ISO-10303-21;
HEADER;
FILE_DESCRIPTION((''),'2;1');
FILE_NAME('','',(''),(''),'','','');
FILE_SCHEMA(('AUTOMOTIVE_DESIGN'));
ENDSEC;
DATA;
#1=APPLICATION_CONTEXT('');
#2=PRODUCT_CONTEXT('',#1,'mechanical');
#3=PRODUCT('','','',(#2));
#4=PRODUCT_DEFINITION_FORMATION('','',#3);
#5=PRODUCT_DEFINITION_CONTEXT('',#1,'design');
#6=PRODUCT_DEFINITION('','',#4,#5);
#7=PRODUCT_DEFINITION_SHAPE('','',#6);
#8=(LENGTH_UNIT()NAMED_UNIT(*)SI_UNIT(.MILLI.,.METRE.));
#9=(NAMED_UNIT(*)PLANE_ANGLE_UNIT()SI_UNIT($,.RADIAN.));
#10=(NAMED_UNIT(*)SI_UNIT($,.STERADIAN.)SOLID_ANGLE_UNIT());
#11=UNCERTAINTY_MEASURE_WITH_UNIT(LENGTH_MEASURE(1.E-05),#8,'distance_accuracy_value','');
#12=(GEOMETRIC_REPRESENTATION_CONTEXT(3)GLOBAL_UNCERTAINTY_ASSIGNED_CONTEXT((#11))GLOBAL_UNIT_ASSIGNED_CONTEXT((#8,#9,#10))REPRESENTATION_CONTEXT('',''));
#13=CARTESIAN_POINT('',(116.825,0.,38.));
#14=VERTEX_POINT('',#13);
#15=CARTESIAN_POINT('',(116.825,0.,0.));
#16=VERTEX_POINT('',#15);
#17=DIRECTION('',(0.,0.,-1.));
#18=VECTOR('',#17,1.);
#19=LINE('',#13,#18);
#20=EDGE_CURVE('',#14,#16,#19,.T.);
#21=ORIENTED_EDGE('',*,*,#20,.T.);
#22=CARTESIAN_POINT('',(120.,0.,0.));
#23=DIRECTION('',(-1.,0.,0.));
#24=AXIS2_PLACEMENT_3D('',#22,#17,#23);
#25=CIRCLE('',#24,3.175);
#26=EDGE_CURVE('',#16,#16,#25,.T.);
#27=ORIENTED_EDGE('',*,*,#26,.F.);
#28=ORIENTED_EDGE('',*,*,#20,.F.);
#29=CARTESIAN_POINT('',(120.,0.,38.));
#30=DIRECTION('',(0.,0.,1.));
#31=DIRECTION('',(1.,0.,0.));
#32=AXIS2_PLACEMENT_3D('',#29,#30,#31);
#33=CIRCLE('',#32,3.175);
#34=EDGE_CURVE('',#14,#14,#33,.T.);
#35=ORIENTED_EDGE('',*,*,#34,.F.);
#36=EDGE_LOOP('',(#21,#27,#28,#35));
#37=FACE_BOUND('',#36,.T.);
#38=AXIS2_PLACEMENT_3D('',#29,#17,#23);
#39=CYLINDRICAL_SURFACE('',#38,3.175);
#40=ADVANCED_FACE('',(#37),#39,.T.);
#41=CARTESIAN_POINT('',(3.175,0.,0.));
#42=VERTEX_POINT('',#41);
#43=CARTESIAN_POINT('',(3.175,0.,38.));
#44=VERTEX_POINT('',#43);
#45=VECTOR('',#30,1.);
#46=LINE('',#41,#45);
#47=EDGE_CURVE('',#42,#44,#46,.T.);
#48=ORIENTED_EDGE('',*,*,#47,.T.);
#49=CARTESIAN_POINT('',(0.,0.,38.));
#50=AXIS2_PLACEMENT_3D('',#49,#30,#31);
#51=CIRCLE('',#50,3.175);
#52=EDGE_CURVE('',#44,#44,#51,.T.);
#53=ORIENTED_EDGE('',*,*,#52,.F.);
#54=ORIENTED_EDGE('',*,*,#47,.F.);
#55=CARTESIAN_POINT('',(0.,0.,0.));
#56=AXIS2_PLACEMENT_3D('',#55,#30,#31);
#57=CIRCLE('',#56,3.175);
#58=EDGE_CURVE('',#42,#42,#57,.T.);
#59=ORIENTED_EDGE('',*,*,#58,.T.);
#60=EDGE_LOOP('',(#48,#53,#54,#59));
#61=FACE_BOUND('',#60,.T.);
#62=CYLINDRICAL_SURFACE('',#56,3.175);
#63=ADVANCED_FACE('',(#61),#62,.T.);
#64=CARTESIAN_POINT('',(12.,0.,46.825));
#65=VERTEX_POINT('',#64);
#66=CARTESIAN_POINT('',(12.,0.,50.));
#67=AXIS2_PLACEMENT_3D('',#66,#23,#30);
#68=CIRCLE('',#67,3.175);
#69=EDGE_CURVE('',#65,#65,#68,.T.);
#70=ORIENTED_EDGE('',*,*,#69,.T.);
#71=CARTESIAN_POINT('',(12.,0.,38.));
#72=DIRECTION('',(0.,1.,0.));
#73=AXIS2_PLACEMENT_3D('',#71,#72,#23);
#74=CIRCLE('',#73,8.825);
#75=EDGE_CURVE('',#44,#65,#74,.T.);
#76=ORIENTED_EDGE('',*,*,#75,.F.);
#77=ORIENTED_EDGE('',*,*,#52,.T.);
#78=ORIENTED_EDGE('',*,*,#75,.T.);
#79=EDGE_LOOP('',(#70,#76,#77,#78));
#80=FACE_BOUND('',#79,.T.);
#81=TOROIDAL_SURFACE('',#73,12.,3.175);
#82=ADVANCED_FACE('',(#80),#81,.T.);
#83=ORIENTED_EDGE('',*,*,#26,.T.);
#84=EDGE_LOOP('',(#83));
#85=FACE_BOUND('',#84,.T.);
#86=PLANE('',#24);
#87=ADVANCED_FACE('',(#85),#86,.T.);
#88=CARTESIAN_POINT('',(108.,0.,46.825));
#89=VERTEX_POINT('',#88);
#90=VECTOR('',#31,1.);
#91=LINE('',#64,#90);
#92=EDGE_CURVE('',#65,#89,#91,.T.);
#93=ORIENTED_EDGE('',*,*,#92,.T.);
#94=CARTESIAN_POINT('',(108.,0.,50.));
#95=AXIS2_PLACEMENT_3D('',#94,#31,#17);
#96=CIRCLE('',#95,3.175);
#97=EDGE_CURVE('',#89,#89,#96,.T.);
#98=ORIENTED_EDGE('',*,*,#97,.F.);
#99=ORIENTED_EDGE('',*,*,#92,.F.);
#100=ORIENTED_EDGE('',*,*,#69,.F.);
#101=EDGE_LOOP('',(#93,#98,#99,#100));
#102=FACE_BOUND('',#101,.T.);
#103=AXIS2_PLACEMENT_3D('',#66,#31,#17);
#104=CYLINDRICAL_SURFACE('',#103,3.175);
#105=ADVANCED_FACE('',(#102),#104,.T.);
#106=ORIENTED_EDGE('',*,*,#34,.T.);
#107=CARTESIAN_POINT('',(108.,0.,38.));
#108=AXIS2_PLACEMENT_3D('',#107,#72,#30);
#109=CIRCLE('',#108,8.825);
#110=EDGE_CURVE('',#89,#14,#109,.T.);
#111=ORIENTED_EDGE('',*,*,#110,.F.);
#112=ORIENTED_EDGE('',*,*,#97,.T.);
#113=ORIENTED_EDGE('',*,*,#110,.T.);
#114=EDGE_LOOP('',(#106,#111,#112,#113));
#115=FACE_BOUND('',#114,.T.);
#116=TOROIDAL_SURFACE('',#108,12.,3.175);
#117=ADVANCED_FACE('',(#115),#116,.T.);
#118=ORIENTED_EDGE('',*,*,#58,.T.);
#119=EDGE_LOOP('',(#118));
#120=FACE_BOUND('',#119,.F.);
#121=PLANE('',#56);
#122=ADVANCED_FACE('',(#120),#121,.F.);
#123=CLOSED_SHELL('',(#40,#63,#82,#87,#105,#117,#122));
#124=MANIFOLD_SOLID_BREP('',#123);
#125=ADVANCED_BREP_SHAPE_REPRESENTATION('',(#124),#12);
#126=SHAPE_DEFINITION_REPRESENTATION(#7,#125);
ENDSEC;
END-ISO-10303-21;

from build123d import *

# Parameters (mm, degrees)
F1_R = 3.175


with BuildPart() as f2:
    # F2: sweep along a path in F0
    with BuildLine(Plane.XZ) as f2_path:
        Line((0, 0), (0, 38))
        ThreePointArc((0, 38), (3.5147186258, 46.4852813742), (12, 50))
        Line((12, 50), (108, 50))
        ThreePointArc((108, 50), (116.4852813742, 46.4852813742), (120, 38))
        Line((120, 38), (120, 0))
    # F1 (on Top) → F2 (sweep)
    with BuildSketch(Plane.XY):
        Circle(F1_R)
    sweep(path=f2_path.line)


solid = f2.part
